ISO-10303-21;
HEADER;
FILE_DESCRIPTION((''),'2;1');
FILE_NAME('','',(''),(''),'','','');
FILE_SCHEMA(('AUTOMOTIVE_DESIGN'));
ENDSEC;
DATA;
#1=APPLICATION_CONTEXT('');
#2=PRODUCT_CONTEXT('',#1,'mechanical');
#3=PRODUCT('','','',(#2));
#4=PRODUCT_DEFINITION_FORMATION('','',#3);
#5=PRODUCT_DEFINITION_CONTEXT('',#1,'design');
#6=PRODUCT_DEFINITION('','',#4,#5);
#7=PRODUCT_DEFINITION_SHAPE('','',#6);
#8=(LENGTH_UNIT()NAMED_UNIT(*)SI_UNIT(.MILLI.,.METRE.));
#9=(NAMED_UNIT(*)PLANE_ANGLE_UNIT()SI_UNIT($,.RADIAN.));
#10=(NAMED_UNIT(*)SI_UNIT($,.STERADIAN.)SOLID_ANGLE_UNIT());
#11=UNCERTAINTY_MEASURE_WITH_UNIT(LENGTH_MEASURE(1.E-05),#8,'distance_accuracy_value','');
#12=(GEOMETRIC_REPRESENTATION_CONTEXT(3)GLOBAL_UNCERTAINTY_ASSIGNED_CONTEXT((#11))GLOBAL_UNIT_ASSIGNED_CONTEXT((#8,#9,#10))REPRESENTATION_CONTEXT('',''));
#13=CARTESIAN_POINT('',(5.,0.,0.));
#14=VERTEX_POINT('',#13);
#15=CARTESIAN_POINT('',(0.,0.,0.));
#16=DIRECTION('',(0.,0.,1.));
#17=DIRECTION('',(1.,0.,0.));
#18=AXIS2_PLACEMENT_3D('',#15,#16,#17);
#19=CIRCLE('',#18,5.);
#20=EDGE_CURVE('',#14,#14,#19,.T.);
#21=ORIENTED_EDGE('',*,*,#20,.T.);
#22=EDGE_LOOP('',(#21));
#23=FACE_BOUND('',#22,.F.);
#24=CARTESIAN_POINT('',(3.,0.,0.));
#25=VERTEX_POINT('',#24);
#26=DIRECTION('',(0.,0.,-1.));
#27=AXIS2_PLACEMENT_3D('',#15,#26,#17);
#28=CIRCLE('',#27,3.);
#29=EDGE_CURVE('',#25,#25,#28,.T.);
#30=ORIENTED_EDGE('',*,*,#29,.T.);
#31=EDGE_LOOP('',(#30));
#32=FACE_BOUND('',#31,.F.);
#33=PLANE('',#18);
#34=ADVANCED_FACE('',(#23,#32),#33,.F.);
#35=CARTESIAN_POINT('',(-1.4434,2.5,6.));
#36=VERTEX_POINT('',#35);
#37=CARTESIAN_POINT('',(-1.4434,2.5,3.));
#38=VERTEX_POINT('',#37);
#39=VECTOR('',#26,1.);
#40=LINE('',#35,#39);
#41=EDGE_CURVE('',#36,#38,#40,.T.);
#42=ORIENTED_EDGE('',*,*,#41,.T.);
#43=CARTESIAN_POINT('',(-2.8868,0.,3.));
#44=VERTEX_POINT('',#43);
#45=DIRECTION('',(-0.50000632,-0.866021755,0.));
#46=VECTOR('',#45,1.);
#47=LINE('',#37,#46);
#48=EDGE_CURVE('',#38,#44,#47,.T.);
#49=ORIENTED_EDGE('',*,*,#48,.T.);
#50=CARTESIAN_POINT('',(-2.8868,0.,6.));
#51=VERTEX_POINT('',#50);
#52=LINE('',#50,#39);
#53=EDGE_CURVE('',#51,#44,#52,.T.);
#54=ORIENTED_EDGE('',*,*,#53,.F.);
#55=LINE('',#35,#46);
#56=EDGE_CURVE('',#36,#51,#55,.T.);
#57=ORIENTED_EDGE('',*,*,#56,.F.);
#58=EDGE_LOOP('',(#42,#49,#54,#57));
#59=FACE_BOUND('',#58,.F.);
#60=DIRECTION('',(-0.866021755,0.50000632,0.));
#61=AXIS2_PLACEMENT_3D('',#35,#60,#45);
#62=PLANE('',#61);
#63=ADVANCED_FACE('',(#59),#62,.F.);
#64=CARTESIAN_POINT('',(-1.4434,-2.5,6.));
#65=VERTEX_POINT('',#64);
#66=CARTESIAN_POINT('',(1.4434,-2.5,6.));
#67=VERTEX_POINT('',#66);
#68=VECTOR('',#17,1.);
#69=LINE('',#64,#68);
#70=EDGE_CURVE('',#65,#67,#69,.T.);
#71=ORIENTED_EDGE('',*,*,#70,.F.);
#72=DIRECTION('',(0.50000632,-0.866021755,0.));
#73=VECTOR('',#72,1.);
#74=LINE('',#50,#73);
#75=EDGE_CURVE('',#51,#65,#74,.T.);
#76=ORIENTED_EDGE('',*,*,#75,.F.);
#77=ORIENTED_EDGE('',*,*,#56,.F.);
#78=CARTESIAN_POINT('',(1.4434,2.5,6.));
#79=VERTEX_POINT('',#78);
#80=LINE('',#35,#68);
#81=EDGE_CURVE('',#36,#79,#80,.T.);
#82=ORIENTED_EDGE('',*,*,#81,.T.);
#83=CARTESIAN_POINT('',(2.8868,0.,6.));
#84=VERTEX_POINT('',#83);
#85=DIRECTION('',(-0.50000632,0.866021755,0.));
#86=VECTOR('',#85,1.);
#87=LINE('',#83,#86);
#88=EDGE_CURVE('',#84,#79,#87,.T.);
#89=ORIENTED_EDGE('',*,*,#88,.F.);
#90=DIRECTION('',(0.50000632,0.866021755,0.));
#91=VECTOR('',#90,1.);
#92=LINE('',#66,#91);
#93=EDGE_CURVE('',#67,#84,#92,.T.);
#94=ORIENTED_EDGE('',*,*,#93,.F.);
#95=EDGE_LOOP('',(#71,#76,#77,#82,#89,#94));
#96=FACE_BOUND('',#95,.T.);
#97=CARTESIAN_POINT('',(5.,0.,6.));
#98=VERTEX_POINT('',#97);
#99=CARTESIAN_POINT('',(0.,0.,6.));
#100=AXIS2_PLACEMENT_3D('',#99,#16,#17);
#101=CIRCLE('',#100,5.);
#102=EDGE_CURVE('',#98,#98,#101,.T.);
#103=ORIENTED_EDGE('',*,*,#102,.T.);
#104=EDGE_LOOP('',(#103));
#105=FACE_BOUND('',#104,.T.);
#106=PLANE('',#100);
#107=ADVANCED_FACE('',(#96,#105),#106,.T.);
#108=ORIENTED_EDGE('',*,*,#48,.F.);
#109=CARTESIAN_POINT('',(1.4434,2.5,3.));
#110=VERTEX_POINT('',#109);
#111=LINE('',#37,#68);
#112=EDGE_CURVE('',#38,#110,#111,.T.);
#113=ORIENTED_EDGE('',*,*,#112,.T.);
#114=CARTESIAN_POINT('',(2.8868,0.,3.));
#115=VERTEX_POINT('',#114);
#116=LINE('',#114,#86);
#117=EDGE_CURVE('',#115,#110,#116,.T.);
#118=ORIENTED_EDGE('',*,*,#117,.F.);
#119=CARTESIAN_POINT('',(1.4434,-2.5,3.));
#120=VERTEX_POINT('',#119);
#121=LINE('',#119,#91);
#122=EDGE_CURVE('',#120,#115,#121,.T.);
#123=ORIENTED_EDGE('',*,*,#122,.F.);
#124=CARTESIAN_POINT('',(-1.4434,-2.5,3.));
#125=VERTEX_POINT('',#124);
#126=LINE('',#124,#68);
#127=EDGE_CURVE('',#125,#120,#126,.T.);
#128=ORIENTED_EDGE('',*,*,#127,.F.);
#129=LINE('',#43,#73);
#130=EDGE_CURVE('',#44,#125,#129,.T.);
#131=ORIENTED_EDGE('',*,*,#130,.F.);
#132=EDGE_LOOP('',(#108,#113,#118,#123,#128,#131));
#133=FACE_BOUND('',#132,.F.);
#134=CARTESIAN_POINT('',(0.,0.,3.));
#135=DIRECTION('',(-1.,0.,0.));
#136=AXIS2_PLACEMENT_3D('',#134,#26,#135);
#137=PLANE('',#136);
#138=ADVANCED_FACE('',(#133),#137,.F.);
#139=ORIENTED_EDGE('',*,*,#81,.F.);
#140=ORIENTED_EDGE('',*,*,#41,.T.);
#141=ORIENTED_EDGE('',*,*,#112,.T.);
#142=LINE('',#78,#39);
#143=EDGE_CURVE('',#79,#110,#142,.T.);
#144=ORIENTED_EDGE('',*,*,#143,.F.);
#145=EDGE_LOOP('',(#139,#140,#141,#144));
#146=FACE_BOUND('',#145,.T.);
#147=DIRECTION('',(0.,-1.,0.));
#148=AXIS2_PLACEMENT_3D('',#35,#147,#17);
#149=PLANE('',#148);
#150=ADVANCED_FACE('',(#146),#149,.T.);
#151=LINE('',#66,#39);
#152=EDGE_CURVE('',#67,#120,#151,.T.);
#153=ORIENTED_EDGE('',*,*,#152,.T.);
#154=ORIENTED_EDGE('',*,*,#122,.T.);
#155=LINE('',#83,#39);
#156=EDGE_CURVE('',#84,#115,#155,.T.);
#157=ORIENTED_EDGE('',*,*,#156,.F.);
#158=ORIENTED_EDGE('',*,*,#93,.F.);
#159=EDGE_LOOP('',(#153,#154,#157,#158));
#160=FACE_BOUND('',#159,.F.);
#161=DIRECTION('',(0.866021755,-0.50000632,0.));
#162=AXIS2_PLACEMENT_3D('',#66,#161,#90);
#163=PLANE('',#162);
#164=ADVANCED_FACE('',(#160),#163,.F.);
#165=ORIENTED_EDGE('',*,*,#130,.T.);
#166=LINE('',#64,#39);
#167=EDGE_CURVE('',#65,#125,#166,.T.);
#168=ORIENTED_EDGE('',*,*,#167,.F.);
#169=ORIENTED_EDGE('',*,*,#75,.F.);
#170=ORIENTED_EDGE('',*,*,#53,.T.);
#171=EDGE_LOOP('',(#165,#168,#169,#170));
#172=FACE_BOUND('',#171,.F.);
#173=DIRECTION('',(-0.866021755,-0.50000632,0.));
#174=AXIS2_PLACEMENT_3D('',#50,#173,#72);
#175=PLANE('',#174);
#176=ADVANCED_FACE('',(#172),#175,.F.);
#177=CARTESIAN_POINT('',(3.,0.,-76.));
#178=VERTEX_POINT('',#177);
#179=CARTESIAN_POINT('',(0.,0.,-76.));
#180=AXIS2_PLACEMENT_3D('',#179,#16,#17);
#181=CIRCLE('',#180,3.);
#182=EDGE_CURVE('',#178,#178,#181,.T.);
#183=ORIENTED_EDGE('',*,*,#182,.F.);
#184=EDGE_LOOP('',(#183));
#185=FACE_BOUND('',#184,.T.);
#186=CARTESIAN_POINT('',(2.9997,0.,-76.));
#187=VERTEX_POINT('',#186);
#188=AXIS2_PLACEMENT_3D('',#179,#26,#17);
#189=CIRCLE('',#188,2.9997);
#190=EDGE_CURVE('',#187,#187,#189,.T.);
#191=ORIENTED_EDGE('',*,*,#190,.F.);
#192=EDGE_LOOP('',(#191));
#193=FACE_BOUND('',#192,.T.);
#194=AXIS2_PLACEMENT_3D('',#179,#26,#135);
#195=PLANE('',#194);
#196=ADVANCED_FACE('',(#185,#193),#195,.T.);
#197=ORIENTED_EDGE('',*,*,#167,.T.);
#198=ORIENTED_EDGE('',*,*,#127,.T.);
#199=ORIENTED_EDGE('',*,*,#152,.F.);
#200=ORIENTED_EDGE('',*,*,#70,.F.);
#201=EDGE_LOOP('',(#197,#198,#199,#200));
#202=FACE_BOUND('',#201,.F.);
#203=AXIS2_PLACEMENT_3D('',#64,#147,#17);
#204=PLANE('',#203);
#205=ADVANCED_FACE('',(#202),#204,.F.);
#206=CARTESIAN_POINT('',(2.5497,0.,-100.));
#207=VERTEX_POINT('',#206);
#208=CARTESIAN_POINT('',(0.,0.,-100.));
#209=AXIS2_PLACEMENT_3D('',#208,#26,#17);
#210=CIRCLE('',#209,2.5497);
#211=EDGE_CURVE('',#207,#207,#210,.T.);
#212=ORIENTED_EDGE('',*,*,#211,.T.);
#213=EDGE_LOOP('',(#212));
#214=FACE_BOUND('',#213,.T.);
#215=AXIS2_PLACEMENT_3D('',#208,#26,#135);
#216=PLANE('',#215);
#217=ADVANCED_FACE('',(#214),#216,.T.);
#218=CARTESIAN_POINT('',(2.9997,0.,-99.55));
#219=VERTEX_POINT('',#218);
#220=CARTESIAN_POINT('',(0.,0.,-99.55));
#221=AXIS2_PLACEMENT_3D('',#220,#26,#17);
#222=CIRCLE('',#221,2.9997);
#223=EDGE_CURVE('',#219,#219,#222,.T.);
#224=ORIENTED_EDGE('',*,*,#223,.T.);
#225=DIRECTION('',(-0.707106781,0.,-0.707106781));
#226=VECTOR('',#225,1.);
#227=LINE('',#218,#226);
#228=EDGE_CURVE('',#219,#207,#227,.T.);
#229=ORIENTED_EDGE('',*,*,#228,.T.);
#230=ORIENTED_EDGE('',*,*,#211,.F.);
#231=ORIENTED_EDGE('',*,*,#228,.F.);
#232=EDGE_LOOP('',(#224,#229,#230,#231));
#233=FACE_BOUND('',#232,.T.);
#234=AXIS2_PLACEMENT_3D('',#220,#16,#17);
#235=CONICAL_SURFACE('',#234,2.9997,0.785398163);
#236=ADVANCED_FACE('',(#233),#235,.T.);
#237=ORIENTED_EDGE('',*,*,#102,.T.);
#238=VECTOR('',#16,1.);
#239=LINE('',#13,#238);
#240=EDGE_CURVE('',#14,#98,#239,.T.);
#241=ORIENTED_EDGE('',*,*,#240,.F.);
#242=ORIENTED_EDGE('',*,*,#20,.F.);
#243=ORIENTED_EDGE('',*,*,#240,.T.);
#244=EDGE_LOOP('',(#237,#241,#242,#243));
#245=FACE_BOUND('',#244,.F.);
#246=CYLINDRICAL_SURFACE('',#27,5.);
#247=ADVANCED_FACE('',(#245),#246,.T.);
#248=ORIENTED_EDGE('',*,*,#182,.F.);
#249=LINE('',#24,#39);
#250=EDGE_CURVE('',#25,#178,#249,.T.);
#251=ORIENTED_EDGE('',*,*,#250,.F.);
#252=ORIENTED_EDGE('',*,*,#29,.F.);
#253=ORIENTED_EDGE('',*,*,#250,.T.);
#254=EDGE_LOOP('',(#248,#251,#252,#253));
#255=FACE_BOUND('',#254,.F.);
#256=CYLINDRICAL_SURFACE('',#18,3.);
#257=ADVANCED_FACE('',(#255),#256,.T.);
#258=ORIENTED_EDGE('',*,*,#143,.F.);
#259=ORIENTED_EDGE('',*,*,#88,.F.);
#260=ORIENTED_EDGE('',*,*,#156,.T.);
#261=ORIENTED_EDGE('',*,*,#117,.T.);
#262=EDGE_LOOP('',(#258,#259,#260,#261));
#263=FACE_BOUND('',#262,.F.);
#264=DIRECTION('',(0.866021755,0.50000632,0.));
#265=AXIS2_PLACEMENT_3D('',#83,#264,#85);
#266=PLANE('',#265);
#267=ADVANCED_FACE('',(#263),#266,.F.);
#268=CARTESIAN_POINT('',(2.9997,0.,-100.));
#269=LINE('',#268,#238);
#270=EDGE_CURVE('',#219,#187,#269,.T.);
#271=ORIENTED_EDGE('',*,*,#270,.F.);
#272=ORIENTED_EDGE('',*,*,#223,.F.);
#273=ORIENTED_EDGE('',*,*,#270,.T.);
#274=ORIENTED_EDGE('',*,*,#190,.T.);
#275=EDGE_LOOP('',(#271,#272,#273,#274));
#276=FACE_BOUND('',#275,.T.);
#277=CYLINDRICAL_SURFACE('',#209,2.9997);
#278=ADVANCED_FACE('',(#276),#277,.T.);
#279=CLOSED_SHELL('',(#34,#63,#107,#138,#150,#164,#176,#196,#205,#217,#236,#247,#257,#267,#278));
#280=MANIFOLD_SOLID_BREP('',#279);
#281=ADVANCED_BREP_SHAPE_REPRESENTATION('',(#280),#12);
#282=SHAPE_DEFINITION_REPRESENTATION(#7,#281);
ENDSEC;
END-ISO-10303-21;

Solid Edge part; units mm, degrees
sketch "Sketch1" plane through (0, 0, 0) normal (0, 0, 1) x (1, 0, 0)
  circle A0 centre (0, 0) radius 5
  dimension "D1" = 10
extrude "Protrusion1" add sketch "Sketch1" along normal blind 6
sketch "Sketch2" plane through (0, 0, 0) normal (0, 0, -1) x (1, 0, 0)
  circle A0 centre (0, 0) radius 3
extrude "Protrusion2" add sketch "Sketch2" along normal blind 100
sketch "Sketch3" plane through (0, 0, -100) normal (0, 0, -1) x (1, 0, 0)
  circle A0 centre (0, 0) radius 2.9997
extrude "Cutout1" cut sketch "Sketch3" against normal blind 24 flip side to cut
chamfer "Chamfer_1" distance 0.45 angle 45 1 edges at (-2.9997, 0, -100)
sketch "Sketch4" plane through (0, 0, 6) normal (0, 0, 1) x (1, 0, 0)
  line L0 (-1.4434, 2.5) -> (1.4434, 2.5)
  line L1 (2.8868, 0) -> (1.4434, 2.5)
  line L2 (1.4434, -2.5) -> (2.8868, 0)
  line L3 (-1.4434, -2.5) -> (1.4434, -2.5)
  line L4 (-2.8868, 0) -> (-1.4434, -2.5)
  line L5 (-1.4434, 2.5) -> (-2.8868, 0)
  dimension "D1" = 5
extrude "Cutout2" cut sketch "Sketch4" against normal blind 3
properties part number "24102389"
